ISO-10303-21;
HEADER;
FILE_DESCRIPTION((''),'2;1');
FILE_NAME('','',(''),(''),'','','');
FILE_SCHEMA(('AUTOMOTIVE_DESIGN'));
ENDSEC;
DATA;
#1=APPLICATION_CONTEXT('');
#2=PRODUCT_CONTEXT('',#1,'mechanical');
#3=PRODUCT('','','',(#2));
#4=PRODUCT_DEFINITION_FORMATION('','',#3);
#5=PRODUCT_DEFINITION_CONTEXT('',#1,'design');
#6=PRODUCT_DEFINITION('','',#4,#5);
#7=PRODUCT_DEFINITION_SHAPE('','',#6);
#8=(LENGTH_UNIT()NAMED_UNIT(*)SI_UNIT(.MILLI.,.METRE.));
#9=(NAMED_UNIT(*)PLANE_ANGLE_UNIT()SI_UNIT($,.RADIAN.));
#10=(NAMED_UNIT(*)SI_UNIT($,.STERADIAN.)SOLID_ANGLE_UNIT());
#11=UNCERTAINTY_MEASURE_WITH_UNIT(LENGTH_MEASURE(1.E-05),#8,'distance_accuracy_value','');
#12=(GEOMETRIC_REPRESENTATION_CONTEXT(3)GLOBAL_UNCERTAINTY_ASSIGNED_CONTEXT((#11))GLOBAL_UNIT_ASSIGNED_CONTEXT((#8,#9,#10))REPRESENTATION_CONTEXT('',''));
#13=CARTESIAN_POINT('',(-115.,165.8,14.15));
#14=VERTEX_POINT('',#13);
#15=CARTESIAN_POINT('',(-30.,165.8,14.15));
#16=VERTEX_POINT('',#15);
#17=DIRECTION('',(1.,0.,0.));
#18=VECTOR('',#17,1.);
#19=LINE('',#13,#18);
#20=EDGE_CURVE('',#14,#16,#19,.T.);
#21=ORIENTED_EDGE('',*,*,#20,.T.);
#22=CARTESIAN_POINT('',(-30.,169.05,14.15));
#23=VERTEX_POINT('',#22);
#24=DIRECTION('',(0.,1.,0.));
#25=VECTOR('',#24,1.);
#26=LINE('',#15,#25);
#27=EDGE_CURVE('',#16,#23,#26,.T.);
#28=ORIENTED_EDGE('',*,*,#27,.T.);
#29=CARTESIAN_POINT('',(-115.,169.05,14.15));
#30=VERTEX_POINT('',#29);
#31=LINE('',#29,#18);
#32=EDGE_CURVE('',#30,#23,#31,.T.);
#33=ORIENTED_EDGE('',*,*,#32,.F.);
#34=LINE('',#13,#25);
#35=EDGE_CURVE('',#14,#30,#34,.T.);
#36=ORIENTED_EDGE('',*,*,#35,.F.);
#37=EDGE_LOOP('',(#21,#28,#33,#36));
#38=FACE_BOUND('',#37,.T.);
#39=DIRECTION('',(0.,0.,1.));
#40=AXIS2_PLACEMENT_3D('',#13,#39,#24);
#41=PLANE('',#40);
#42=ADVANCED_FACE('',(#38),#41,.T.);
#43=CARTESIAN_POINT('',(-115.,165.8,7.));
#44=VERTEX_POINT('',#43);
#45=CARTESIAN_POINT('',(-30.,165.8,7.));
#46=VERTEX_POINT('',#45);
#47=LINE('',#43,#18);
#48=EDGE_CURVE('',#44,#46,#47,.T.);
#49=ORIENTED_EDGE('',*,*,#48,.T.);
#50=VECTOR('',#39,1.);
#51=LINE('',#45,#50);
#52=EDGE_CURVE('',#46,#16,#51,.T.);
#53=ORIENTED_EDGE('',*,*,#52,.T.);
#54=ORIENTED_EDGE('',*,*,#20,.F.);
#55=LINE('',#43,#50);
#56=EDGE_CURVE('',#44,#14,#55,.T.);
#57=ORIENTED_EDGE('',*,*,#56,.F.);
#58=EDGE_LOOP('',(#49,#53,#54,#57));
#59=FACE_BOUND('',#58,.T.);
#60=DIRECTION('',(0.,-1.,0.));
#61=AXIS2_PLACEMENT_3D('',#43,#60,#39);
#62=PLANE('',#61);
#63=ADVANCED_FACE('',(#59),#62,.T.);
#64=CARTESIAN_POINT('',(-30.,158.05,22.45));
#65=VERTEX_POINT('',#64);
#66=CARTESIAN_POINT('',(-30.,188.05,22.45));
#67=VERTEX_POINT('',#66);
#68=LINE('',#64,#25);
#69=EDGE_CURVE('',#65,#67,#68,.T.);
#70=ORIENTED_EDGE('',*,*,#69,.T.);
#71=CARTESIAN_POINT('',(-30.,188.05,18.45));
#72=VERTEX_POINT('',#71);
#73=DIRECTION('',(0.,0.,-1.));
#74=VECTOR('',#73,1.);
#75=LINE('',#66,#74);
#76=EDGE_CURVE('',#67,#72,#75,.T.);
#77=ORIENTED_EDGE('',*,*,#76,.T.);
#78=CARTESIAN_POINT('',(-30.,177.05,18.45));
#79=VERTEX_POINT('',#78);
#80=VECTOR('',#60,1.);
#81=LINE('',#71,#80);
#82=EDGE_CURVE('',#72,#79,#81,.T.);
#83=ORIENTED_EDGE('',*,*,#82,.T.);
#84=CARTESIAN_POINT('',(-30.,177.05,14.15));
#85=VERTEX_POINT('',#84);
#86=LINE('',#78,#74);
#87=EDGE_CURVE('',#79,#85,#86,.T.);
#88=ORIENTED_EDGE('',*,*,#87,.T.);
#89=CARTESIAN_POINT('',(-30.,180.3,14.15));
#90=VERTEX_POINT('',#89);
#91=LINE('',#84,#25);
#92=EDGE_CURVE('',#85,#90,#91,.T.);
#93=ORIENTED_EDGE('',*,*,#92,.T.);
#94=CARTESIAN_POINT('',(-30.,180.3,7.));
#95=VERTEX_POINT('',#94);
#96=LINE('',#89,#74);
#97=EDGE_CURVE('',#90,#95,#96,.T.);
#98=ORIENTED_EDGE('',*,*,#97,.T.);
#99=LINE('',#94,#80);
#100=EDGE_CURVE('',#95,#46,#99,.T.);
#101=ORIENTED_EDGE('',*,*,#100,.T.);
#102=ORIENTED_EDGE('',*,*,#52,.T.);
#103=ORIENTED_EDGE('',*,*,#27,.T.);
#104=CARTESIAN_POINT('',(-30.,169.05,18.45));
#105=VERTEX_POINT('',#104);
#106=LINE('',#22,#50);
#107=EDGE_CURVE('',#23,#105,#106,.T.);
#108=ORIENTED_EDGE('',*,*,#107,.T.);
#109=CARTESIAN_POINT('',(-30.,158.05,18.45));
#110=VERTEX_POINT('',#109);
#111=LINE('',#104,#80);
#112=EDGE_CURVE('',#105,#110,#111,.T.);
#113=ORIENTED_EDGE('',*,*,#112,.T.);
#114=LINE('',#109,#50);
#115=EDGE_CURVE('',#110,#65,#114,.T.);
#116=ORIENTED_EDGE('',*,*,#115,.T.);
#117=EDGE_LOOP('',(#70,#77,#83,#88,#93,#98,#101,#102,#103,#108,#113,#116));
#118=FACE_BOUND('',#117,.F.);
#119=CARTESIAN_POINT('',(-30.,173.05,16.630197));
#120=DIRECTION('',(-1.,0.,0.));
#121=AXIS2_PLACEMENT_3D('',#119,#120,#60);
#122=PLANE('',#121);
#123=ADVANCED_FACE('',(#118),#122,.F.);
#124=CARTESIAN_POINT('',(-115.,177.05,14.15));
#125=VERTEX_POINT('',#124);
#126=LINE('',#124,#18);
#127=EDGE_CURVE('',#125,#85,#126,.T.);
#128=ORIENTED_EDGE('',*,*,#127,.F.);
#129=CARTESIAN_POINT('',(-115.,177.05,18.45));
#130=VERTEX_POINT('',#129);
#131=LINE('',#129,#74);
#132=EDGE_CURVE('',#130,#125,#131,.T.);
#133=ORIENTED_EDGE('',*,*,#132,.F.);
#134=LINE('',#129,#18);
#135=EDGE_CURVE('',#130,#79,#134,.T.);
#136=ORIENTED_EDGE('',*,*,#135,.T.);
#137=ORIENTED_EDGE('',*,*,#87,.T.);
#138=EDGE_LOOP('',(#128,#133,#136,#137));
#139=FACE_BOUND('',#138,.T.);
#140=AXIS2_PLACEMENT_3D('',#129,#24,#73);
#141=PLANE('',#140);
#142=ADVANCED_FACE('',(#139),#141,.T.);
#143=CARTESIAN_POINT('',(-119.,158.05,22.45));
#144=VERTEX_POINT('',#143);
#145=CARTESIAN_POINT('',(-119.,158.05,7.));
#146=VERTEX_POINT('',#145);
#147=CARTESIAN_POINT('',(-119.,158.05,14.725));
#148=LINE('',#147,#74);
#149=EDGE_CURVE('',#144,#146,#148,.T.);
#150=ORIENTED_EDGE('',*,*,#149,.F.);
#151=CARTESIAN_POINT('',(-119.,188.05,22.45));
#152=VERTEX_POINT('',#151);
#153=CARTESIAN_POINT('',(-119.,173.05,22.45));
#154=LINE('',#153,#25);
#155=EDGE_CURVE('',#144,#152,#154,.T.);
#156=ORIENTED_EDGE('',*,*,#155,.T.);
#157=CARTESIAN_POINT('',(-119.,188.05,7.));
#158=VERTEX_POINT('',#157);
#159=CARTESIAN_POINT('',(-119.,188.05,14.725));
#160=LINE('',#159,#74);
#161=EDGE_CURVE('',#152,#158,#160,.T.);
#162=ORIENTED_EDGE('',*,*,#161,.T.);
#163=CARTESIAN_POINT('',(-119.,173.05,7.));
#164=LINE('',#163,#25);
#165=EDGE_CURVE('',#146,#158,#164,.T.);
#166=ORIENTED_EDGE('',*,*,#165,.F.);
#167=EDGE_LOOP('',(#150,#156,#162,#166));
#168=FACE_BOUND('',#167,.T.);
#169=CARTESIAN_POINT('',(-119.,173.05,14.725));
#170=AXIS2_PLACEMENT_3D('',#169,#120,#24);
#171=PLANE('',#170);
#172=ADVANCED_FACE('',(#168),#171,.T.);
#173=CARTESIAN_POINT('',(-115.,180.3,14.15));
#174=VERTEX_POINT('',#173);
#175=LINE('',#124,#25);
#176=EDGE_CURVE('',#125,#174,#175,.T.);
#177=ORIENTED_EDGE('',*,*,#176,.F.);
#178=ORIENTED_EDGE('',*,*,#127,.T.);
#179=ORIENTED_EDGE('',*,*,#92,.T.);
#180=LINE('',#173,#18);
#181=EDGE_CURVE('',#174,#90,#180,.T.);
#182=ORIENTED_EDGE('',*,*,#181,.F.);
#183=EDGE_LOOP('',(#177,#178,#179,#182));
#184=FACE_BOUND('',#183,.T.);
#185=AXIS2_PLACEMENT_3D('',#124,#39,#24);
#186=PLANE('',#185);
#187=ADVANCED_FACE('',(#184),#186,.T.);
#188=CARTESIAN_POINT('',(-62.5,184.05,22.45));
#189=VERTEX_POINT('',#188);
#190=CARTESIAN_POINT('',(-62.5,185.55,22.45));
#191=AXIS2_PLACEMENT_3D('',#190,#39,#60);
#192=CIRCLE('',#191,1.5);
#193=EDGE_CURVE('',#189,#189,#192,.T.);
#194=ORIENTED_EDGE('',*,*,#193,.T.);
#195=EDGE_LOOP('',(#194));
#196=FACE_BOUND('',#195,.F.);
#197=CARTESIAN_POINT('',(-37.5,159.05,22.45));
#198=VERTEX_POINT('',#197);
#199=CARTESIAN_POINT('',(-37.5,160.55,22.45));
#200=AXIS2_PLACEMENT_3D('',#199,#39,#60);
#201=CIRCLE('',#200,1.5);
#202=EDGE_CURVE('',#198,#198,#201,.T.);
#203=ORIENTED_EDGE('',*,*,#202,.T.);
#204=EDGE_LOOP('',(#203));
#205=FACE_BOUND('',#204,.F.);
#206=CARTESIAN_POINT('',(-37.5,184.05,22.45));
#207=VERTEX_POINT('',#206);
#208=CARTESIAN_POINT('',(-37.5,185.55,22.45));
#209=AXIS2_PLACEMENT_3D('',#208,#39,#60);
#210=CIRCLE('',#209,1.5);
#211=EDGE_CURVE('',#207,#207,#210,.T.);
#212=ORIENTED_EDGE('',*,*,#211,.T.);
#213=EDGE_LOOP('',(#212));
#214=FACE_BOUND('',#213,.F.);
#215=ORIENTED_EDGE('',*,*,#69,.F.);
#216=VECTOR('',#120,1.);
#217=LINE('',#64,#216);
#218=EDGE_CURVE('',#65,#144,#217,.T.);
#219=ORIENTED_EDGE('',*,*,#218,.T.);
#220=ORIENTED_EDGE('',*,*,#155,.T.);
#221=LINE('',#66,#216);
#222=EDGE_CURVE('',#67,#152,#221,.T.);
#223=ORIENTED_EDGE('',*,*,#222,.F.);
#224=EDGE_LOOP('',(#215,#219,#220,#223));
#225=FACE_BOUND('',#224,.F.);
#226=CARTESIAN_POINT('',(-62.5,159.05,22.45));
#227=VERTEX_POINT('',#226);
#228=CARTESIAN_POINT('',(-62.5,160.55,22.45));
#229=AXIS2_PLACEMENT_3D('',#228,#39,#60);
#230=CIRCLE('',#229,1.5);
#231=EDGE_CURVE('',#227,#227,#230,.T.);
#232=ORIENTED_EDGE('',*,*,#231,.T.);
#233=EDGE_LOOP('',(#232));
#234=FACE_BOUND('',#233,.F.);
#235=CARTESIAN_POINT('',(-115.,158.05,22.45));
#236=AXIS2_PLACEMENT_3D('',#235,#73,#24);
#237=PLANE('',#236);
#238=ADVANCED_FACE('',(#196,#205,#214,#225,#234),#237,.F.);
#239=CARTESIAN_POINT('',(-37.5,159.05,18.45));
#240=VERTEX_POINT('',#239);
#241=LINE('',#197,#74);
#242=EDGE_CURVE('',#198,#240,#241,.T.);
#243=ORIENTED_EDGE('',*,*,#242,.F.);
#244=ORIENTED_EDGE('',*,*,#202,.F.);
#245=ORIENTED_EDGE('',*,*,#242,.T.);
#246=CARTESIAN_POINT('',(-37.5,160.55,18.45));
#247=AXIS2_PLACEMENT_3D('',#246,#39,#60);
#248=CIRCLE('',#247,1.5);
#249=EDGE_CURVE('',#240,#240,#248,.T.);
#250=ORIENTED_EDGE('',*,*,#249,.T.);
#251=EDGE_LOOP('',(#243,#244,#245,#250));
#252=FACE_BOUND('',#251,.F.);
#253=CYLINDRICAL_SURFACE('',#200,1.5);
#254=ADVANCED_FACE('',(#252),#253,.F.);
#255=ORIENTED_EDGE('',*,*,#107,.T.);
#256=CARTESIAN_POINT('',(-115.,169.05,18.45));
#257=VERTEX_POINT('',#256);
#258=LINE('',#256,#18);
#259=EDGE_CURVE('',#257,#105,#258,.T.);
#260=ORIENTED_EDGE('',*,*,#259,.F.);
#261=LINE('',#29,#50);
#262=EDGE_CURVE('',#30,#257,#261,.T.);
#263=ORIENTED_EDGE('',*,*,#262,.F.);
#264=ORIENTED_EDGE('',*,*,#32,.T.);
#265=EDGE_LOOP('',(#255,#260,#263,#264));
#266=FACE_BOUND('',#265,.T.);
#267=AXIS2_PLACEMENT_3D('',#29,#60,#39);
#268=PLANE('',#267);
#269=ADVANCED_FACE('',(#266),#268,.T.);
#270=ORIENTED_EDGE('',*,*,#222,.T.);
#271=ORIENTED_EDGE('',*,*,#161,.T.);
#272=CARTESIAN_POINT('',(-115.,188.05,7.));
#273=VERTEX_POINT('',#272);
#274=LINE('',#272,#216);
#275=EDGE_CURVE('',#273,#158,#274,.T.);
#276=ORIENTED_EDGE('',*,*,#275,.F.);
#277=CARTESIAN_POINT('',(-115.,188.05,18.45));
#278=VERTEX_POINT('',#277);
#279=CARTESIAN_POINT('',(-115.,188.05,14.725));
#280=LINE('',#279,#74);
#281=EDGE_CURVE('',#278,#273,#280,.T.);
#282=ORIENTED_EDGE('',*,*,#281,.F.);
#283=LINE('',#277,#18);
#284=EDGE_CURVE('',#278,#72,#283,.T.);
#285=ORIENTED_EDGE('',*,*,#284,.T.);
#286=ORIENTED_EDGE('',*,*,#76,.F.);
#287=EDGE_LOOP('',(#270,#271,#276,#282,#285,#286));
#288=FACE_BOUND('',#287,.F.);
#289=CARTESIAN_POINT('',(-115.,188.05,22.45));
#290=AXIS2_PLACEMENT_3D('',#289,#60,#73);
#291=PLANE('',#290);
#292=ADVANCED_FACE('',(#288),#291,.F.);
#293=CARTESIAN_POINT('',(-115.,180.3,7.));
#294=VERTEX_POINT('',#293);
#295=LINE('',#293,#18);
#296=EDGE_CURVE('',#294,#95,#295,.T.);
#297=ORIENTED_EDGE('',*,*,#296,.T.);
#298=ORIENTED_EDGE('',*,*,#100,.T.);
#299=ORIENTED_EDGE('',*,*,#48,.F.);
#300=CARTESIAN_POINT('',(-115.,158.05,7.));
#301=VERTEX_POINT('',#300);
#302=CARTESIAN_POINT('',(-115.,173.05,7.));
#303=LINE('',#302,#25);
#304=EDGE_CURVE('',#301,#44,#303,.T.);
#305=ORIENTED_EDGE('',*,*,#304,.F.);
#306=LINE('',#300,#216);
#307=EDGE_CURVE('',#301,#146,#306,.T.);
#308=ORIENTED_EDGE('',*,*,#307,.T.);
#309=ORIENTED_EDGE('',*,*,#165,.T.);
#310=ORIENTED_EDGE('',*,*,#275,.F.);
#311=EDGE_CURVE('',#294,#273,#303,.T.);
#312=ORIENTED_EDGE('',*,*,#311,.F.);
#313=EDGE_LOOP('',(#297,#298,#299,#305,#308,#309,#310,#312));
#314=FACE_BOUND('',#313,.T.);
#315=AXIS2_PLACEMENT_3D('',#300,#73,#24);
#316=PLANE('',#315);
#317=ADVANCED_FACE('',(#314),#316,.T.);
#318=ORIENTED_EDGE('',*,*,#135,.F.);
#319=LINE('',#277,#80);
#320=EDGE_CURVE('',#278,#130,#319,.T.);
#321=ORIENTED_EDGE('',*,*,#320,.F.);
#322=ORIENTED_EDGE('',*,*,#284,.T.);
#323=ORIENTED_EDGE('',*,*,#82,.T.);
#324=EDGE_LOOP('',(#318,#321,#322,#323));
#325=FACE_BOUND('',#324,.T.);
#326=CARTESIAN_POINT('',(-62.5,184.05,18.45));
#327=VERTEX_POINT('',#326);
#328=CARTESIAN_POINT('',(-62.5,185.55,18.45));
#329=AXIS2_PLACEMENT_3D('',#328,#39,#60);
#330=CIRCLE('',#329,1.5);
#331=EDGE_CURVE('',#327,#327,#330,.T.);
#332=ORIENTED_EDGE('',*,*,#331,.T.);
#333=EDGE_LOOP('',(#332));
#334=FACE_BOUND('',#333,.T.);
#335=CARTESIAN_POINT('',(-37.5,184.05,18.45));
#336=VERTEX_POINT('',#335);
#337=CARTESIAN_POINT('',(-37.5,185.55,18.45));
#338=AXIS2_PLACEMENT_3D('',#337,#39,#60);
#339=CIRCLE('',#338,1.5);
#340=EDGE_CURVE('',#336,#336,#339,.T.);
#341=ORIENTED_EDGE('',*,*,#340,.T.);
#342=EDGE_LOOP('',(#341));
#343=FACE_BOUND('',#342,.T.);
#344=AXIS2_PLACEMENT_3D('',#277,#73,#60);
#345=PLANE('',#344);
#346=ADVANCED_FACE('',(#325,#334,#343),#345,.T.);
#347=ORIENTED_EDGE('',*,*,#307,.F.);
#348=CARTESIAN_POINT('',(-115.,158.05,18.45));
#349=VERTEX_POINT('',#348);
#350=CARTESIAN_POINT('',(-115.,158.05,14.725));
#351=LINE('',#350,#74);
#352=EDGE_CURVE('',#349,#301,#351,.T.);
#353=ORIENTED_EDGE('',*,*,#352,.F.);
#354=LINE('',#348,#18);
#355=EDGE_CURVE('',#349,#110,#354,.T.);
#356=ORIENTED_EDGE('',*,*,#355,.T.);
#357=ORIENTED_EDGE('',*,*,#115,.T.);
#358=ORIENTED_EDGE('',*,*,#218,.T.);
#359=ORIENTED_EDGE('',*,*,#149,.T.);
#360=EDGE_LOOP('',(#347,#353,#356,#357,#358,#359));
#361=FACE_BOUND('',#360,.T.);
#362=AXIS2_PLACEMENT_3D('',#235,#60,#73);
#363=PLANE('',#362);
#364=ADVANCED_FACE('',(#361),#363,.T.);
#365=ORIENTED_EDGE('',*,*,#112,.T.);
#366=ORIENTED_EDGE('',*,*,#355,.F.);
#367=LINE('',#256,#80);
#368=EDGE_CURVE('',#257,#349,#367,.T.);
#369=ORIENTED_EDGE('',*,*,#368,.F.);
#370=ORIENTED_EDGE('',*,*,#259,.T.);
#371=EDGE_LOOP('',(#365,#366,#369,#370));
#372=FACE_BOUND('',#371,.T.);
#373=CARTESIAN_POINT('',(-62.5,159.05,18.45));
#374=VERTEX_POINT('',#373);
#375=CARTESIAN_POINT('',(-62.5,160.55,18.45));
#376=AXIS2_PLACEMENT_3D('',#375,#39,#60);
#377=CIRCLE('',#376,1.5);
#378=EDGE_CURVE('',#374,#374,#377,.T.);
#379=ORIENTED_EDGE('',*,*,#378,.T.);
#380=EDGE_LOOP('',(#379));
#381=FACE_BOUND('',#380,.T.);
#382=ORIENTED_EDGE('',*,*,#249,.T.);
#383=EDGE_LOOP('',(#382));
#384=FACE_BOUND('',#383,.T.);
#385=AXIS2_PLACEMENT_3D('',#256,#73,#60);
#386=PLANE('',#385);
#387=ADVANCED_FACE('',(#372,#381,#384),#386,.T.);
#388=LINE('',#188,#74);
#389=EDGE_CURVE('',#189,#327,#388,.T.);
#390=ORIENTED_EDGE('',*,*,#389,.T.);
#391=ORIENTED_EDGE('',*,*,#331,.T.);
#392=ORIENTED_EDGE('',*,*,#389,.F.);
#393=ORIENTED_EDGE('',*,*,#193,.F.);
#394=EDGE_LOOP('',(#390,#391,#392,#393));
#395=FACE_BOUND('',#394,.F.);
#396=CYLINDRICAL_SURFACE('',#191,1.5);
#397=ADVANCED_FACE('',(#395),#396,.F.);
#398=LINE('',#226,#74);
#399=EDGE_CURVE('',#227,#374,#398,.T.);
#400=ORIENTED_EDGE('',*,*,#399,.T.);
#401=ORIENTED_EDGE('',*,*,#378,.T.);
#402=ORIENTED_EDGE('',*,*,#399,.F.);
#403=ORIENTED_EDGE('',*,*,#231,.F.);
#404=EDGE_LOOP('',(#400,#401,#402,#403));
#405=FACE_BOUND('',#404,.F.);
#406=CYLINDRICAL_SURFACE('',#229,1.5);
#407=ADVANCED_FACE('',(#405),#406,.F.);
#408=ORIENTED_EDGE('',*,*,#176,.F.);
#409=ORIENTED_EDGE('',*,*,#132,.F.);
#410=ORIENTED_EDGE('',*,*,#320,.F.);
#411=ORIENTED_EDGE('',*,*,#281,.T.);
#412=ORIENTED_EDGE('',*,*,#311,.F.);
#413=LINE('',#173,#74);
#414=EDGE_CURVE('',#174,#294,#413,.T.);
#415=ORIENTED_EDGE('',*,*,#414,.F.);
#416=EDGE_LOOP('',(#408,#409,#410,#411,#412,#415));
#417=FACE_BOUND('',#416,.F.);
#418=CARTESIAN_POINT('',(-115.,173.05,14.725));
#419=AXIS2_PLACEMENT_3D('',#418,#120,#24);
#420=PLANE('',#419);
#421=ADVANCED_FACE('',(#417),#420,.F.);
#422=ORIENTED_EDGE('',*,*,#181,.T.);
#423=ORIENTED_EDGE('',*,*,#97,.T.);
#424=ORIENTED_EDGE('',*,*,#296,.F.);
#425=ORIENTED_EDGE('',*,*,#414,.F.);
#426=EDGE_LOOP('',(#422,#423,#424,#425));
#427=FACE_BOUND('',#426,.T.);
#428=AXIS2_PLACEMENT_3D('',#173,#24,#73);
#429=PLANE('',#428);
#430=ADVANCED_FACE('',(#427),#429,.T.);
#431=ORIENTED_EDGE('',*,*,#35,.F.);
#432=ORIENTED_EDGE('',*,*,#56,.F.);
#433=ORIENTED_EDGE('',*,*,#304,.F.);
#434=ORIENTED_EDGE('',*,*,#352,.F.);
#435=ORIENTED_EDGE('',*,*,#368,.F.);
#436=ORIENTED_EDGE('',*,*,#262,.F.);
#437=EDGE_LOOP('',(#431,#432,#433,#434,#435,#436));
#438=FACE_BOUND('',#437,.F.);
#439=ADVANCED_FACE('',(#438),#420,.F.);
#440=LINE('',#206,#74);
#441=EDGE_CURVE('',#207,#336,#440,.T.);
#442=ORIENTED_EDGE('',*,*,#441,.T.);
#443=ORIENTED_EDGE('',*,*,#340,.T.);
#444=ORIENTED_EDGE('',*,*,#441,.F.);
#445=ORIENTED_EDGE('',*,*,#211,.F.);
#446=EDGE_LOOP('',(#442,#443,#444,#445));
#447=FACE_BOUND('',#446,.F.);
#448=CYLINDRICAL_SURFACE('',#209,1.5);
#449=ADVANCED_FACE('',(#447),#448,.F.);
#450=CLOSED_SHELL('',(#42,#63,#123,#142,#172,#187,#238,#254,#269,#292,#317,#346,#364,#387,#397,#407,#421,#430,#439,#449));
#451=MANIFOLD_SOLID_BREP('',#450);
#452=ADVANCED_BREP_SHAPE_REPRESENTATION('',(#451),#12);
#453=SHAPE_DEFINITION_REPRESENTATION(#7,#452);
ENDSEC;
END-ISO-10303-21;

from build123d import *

# Parameters (mm, degrees)
PAD113_DEPTH    = 85
SKETCH229_R     = 1.5
POCKET082_DEPTH = 15.451
SKETCH230_W     = 30
SKETCH230_H     = 15.45
PAD114_DEPTH    = 4


with BuildPart() as part:
    # Sketch228 → Pad113 (new body)
    with BuildSketch(Plane.YZ):
        Polygon((-7.75, 11.45), (-7.75, 15.45), (22.25, 15.45), (22.25, 11.45), (11.25, 11.45), (11.25, 7.15), (14.5, 7.15), (14.5, 0), (0, 0), (0, 7.15), (3.25, 7.15), (3.25, 11.45), align=None)
    extrude(amount=PAD113_DEPTH)

    # Sketch229 (on Face2 of Pad113) → Pocket082 (cut, through all)
    with BuildSketch(Plane(origin=(0, 0, 15.45), x_dir=(0, -1, 0), z_dir=(0, 0, 1))):
        with Locations((-19.75, 77.5)):
            Circle(SKETCH229_R)
        with Locations((-19.75, 52.5)):
            Circle(SKETCH229_R)
        with Locations((5.25, 52.5)):
            Circle(SKETCH229_R)
        with Locations((5.25, 77.5)):
            Circle(SKETCH229_R)
    extrude(amount=-POCKET082_DEPTH, mode=Mode.SUBTRACT)

    # Sketch230 (on Face4 of Pocket082) → Pad114 (join)
    with BuildSketch(Plane(origin=(0, 0, 0), x_dir=(0, 1, 0), z_dir=(-1, 0, 0))):
        with Locations((7.25, -7.725)):
            Rectangle(SKETCH230_W, SKETCH230_H)
    extrude(amount=PAD114_DEPTH)


with BuildPart() as part_1:
    # Body136 placement: moved
    add(part.part.moved(Location((-115, 165.8, 7))))


solid = part_1.part
